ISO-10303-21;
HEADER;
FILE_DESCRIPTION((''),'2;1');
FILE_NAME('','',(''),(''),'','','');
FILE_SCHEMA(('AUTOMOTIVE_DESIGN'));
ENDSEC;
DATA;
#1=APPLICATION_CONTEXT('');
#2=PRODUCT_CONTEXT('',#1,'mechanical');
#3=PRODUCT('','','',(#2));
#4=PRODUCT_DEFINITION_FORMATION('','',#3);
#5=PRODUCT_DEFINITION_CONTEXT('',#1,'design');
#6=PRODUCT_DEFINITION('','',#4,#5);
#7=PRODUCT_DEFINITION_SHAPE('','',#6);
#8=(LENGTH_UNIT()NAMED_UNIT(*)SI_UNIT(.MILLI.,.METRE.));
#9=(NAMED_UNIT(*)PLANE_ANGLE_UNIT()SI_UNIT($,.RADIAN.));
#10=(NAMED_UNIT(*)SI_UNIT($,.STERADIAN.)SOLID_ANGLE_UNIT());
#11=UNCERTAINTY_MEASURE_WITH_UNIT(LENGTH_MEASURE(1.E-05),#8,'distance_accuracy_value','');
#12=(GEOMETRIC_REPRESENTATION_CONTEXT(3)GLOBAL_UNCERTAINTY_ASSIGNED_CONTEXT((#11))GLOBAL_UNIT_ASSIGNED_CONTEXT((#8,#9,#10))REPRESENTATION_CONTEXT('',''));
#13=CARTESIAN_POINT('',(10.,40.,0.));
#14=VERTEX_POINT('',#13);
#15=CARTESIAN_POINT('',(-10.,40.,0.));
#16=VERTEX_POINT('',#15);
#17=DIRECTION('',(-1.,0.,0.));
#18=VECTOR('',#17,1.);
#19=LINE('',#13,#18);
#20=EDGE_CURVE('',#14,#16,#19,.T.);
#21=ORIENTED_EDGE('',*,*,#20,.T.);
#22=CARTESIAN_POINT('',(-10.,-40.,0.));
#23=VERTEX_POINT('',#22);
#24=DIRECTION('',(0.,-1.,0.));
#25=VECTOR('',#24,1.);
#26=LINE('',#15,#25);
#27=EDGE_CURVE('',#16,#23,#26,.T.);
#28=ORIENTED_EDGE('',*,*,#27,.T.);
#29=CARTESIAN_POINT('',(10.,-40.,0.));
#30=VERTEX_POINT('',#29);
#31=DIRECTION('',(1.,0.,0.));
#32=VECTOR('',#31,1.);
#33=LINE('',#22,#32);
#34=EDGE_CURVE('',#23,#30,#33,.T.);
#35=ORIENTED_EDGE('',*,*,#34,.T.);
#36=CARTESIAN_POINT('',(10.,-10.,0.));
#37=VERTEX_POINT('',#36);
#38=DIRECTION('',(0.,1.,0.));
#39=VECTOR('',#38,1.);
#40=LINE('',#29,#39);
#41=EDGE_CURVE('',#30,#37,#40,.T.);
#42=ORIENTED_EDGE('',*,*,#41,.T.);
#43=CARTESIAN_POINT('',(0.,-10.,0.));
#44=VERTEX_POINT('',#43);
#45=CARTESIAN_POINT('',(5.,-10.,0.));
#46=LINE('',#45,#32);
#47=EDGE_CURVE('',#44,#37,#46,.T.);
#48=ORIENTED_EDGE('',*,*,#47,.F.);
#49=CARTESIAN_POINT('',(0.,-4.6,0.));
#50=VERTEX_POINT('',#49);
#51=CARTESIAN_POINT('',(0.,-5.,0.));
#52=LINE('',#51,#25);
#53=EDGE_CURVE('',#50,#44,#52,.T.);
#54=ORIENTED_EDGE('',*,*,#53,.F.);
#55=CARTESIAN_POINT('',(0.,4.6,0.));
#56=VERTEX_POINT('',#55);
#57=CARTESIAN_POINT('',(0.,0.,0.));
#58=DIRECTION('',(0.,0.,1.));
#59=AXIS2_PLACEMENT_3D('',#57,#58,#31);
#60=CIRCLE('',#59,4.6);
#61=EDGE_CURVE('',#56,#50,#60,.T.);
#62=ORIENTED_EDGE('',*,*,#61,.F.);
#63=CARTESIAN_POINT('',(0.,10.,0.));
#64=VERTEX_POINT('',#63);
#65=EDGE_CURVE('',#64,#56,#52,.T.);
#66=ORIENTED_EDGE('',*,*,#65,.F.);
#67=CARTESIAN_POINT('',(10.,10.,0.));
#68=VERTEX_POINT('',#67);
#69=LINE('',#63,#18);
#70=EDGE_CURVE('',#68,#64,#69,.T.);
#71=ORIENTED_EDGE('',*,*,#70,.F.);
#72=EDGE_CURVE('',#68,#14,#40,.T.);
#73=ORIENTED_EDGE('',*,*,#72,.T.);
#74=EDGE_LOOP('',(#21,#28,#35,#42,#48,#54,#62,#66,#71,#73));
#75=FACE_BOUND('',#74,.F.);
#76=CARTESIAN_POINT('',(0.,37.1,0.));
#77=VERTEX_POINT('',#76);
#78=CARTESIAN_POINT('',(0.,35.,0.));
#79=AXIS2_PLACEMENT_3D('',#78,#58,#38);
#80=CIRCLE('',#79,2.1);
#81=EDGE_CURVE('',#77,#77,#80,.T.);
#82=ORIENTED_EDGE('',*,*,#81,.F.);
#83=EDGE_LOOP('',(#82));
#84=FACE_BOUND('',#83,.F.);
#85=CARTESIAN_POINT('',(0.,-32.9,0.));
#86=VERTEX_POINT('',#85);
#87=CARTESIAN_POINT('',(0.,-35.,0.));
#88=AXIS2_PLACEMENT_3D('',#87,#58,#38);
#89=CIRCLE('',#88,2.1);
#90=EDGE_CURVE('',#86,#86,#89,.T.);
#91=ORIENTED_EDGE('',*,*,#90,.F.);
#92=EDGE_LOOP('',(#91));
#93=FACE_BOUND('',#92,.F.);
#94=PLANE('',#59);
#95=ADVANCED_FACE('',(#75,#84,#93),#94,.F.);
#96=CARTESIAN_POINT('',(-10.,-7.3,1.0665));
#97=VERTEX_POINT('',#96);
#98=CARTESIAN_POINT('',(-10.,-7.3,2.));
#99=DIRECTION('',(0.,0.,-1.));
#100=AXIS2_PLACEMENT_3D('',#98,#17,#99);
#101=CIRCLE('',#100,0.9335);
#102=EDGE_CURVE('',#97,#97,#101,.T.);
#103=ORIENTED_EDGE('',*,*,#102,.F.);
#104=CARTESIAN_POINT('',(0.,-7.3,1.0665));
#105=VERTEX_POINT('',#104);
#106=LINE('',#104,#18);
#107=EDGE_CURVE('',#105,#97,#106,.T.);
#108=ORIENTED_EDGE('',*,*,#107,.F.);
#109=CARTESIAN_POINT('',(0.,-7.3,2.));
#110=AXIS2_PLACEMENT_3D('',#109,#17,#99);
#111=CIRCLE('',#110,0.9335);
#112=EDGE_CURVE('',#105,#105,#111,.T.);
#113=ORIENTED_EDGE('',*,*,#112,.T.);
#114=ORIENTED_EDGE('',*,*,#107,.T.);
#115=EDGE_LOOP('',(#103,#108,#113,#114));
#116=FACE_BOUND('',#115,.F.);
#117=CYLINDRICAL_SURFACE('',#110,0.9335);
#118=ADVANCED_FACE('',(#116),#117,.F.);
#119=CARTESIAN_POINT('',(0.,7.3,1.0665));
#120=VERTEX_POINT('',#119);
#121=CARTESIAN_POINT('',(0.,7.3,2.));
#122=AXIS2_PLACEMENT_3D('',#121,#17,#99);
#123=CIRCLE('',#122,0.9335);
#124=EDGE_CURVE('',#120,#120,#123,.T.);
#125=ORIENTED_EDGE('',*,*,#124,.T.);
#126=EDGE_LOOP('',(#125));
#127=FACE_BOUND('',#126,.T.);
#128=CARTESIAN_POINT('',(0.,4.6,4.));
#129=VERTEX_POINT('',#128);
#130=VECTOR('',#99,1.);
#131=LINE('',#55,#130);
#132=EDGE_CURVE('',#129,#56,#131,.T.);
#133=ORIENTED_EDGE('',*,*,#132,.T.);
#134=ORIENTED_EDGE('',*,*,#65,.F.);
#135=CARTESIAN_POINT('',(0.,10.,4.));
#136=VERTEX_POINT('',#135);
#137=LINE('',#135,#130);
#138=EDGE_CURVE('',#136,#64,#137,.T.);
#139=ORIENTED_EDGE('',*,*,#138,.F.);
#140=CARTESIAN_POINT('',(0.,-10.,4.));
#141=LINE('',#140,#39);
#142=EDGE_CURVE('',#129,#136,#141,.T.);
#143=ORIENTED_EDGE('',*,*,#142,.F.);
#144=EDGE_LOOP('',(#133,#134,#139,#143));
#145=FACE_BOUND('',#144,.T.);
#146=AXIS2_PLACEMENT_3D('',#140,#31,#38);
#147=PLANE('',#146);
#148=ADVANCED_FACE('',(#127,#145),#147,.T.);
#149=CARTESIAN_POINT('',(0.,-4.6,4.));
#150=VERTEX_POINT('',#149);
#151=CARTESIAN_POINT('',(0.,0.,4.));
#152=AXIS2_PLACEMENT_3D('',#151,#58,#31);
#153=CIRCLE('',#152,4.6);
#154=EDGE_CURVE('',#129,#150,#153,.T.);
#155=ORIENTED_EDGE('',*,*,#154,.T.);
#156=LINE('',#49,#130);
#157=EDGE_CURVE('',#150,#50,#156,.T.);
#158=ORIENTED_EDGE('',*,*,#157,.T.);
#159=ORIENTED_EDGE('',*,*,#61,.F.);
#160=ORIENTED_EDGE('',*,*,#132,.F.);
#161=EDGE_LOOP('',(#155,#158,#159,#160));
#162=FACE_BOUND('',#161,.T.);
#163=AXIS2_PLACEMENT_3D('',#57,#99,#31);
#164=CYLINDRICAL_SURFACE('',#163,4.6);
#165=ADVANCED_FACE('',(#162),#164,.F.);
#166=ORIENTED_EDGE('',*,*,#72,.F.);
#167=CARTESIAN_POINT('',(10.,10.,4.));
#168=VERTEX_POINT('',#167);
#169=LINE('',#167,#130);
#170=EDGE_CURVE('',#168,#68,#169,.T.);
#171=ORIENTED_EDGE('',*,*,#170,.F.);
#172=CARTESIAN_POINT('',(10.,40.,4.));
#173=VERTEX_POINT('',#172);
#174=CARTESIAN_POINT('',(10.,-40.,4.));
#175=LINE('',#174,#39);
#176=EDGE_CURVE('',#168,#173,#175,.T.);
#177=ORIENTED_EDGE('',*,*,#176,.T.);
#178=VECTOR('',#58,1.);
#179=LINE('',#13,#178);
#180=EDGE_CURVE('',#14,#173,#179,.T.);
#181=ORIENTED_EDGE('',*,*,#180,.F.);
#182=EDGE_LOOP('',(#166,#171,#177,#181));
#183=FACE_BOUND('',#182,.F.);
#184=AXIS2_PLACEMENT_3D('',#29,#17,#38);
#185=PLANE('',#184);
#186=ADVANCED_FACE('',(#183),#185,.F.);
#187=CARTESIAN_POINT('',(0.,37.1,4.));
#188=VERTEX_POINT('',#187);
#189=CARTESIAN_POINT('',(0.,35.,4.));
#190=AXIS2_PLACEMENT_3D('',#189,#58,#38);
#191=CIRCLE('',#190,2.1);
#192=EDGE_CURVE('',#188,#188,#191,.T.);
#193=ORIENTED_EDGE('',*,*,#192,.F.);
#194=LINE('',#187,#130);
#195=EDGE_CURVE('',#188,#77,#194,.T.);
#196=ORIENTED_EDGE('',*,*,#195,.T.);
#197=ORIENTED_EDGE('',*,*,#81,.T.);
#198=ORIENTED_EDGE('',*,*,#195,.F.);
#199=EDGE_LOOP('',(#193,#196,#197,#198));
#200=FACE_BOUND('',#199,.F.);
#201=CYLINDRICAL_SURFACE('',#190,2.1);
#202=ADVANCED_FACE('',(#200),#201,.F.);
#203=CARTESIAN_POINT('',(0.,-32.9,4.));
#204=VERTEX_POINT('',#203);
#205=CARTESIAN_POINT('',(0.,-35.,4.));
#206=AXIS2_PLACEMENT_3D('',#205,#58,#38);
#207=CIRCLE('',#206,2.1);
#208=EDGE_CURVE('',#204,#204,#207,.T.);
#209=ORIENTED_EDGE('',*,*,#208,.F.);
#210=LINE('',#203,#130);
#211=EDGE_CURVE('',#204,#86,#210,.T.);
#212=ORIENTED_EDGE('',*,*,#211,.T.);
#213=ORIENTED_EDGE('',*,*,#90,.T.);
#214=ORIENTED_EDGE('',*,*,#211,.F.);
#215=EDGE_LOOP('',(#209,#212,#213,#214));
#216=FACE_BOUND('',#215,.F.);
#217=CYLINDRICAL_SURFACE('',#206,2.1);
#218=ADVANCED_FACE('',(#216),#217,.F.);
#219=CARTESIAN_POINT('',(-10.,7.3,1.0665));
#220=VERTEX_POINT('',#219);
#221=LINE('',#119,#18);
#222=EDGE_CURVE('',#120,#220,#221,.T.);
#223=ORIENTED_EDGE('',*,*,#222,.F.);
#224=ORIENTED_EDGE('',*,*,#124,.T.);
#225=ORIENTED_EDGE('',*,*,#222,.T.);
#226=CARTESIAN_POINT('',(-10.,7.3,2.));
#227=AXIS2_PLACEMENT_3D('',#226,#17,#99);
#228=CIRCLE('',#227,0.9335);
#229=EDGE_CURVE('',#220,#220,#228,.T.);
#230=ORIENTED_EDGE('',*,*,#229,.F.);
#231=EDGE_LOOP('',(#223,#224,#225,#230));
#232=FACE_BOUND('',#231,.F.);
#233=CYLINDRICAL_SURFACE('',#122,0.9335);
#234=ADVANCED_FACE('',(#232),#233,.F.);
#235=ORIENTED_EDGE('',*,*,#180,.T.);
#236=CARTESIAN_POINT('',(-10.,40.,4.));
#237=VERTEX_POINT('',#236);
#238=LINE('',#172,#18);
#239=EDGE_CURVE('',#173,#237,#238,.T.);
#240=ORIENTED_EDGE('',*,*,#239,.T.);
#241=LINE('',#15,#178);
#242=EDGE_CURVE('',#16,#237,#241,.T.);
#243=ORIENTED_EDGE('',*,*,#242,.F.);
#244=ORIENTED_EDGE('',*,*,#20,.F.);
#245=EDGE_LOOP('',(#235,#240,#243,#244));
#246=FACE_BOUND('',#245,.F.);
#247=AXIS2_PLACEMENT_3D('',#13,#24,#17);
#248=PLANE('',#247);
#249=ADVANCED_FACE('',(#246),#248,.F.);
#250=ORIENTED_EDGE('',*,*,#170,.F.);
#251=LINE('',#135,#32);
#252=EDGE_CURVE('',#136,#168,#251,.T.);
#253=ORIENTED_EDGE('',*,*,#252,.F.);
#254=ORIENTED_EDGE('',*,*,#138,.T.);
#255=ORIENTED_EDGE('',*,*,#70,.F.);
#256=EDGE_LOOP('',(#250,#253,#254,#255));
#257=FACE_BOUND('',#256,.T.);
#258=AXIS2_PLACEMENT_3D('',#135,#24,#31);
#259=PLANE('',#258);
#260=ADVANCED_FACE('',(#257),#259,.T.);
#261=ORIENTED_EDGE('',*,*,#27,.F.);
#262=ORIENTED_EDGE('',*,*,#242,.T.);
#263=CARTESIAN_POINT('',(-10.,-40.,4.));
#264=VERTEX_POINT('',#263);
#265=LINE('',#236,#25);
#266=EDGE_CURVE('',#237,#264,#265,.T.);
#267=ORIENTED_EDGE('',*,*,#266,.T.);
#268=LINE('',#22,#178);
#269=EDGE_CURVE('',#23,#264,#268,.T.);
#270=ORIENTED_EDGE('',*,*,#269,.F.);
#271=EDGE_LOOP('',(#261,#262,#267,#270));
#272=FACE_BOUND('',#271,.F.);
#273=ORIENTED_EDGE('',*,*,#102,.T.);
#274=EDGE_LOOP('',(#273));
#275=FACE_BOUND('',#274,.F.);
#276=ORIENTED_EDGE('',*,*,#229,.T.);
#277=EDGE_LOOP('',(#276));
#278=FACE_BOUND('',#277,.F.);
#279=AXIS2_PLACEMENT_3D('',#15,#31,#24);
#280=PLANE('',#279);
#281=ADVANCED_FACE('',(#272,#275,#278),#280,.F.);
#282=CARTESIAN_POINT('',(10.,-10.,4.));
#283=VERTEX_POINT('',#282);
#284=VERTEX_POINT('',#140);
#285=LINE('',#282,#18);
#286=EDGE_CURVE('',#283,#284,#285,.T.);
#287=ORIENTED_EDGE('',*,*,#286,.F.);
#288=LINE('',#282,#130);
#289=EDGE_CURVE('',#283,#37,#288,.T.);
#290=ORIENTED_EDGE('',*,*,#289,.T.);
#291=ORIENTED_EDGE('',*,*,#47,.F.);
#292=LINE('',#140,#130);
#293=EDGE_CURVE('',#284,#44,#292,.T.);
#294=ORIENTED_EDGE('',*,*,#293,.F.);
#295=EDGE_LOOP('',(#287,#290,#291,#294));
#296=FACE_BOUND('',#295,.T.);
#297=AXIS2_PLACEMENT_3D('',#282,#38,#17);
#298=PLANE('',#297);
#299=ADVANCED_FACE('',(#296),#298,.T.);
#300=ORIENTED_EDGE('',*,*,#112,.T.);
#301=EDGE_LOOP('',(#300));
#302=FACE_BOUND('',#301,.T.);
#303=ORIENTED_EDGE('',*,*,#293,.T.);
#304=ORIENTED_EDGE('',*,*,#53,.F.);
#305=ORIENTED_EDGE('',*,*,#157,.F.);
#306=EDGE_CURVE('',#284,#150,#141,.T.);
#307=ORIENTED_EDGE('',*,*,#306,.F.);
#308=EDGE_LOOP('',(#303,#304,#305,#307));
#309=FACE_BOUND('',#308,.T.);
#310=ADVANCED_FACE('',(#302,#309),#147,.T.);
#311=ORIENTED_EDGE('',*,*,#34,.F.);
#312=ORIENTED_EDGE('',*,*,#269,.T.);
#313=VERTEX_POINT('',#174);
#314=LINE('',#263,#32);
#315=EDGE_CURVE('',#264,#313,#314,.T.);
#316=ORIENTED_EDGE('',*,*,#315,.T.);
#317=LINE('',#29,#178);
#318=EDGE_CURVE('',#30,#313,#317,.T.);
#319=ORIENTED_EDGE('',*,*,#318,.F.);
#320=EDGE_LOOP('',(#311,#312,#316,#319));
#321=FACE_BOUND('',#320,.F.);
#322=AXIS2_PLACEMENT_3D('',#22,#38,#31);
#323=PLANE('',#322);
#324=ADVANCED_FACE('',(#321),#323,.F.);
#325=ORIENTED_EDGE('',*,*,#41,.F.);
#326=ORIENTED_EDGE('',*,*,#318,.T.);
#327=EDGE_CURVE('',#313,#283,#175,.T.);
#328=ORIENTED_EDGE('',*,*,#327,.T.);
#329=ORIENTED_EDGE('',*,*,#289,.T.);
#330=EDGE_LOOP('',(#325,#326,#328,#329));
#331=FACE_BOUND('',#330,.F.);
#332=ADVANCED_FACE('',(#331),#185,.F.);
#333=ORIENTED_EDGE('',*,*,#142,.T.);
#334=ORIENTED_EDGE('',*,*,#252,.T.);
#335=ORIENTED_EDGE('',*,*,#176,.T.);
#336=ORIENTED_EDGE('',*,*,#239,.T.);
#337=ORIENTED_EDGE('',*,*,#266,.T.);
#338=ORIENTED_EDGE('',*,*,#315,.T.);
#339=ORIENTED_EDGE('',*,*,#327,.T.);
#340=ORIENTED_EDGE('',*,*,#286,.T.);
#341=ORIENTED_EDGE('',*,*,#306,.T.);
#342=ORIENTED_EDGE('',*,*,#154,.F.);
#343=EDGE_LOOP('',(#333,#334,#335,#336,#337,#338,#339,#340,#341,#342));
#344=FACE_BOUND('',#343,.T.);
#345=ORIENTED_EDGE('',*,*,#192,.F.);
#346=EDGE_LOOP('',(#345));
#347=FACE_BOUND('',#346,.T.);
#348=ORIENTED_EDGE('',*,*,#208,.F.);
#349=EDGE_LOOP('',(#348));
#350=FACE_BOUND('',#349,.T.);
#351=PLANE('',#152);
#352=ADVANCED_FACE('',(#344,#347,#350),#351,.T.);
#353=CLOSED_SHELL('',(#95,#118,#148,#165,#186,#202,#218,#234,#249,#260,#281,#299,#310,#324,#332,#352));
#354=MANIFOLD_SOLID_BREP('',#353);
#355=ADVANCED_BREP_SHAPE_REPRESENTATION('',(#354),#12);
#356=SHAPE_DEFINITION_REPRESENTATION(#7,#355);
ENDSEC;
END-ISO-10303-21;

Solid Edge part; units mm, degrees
sketch "Sketch1" plane through (0, 0, 0) normal (0, 0, 1) x (1, 0, 0)
  line L0 (-10, -40) -> (10, -40)
  line L1 (10, -40) -> (10, 40)
  line L2 (10, 40) -> (-10, 40)
  line L3 (-10, 40) -> (-10, -40)
  circle A0 centre (0, 0) radius 4.6
  dimension "D1" = 80
  dimension "D2" = 20
extrude "Protrusion1" add sketch "Sketch1" along normal blind 4
sketch "Sketch2" plane through (0, 0, 4) normal (0, 0, 1) x (1, 0, 0)
  line L0 (0, 10) -> (10, 10)
  line L1 (10, 10) -> (10, -10)
  line L2 (10, -10) -> (0, -10)
  line L3 (0, -10) -> (0, 10)
  dimension "D1" = 20
  dimension "D2" = 10
extrude "Cutout1" cut sketch "Sketch2" against normal up to next
sketch "Sketch3" plane through (0, 0, 4) normal (0, 0, 1) x (0, 1, 0)
  circle A0 centre (35, 0) radius 2.1
  circle A1 centre (-35, 0) radius 2.1
  dimension "D1" = 70
  dimension "D2" = 35
extrude "Cutout2" cut sketch "Sketch3" against normal up to next
hole "Hole_1" at (0, 7.3, 2) direction (-1, 0, 0) diameter 1.867 depth 10 thread major 2.3 thread length 8
hole "Hole1" at (0, -7.3, 2) direction (-1, 0, 0) diameter 1.867 depth 10 thread major 2.3 thread length 8
